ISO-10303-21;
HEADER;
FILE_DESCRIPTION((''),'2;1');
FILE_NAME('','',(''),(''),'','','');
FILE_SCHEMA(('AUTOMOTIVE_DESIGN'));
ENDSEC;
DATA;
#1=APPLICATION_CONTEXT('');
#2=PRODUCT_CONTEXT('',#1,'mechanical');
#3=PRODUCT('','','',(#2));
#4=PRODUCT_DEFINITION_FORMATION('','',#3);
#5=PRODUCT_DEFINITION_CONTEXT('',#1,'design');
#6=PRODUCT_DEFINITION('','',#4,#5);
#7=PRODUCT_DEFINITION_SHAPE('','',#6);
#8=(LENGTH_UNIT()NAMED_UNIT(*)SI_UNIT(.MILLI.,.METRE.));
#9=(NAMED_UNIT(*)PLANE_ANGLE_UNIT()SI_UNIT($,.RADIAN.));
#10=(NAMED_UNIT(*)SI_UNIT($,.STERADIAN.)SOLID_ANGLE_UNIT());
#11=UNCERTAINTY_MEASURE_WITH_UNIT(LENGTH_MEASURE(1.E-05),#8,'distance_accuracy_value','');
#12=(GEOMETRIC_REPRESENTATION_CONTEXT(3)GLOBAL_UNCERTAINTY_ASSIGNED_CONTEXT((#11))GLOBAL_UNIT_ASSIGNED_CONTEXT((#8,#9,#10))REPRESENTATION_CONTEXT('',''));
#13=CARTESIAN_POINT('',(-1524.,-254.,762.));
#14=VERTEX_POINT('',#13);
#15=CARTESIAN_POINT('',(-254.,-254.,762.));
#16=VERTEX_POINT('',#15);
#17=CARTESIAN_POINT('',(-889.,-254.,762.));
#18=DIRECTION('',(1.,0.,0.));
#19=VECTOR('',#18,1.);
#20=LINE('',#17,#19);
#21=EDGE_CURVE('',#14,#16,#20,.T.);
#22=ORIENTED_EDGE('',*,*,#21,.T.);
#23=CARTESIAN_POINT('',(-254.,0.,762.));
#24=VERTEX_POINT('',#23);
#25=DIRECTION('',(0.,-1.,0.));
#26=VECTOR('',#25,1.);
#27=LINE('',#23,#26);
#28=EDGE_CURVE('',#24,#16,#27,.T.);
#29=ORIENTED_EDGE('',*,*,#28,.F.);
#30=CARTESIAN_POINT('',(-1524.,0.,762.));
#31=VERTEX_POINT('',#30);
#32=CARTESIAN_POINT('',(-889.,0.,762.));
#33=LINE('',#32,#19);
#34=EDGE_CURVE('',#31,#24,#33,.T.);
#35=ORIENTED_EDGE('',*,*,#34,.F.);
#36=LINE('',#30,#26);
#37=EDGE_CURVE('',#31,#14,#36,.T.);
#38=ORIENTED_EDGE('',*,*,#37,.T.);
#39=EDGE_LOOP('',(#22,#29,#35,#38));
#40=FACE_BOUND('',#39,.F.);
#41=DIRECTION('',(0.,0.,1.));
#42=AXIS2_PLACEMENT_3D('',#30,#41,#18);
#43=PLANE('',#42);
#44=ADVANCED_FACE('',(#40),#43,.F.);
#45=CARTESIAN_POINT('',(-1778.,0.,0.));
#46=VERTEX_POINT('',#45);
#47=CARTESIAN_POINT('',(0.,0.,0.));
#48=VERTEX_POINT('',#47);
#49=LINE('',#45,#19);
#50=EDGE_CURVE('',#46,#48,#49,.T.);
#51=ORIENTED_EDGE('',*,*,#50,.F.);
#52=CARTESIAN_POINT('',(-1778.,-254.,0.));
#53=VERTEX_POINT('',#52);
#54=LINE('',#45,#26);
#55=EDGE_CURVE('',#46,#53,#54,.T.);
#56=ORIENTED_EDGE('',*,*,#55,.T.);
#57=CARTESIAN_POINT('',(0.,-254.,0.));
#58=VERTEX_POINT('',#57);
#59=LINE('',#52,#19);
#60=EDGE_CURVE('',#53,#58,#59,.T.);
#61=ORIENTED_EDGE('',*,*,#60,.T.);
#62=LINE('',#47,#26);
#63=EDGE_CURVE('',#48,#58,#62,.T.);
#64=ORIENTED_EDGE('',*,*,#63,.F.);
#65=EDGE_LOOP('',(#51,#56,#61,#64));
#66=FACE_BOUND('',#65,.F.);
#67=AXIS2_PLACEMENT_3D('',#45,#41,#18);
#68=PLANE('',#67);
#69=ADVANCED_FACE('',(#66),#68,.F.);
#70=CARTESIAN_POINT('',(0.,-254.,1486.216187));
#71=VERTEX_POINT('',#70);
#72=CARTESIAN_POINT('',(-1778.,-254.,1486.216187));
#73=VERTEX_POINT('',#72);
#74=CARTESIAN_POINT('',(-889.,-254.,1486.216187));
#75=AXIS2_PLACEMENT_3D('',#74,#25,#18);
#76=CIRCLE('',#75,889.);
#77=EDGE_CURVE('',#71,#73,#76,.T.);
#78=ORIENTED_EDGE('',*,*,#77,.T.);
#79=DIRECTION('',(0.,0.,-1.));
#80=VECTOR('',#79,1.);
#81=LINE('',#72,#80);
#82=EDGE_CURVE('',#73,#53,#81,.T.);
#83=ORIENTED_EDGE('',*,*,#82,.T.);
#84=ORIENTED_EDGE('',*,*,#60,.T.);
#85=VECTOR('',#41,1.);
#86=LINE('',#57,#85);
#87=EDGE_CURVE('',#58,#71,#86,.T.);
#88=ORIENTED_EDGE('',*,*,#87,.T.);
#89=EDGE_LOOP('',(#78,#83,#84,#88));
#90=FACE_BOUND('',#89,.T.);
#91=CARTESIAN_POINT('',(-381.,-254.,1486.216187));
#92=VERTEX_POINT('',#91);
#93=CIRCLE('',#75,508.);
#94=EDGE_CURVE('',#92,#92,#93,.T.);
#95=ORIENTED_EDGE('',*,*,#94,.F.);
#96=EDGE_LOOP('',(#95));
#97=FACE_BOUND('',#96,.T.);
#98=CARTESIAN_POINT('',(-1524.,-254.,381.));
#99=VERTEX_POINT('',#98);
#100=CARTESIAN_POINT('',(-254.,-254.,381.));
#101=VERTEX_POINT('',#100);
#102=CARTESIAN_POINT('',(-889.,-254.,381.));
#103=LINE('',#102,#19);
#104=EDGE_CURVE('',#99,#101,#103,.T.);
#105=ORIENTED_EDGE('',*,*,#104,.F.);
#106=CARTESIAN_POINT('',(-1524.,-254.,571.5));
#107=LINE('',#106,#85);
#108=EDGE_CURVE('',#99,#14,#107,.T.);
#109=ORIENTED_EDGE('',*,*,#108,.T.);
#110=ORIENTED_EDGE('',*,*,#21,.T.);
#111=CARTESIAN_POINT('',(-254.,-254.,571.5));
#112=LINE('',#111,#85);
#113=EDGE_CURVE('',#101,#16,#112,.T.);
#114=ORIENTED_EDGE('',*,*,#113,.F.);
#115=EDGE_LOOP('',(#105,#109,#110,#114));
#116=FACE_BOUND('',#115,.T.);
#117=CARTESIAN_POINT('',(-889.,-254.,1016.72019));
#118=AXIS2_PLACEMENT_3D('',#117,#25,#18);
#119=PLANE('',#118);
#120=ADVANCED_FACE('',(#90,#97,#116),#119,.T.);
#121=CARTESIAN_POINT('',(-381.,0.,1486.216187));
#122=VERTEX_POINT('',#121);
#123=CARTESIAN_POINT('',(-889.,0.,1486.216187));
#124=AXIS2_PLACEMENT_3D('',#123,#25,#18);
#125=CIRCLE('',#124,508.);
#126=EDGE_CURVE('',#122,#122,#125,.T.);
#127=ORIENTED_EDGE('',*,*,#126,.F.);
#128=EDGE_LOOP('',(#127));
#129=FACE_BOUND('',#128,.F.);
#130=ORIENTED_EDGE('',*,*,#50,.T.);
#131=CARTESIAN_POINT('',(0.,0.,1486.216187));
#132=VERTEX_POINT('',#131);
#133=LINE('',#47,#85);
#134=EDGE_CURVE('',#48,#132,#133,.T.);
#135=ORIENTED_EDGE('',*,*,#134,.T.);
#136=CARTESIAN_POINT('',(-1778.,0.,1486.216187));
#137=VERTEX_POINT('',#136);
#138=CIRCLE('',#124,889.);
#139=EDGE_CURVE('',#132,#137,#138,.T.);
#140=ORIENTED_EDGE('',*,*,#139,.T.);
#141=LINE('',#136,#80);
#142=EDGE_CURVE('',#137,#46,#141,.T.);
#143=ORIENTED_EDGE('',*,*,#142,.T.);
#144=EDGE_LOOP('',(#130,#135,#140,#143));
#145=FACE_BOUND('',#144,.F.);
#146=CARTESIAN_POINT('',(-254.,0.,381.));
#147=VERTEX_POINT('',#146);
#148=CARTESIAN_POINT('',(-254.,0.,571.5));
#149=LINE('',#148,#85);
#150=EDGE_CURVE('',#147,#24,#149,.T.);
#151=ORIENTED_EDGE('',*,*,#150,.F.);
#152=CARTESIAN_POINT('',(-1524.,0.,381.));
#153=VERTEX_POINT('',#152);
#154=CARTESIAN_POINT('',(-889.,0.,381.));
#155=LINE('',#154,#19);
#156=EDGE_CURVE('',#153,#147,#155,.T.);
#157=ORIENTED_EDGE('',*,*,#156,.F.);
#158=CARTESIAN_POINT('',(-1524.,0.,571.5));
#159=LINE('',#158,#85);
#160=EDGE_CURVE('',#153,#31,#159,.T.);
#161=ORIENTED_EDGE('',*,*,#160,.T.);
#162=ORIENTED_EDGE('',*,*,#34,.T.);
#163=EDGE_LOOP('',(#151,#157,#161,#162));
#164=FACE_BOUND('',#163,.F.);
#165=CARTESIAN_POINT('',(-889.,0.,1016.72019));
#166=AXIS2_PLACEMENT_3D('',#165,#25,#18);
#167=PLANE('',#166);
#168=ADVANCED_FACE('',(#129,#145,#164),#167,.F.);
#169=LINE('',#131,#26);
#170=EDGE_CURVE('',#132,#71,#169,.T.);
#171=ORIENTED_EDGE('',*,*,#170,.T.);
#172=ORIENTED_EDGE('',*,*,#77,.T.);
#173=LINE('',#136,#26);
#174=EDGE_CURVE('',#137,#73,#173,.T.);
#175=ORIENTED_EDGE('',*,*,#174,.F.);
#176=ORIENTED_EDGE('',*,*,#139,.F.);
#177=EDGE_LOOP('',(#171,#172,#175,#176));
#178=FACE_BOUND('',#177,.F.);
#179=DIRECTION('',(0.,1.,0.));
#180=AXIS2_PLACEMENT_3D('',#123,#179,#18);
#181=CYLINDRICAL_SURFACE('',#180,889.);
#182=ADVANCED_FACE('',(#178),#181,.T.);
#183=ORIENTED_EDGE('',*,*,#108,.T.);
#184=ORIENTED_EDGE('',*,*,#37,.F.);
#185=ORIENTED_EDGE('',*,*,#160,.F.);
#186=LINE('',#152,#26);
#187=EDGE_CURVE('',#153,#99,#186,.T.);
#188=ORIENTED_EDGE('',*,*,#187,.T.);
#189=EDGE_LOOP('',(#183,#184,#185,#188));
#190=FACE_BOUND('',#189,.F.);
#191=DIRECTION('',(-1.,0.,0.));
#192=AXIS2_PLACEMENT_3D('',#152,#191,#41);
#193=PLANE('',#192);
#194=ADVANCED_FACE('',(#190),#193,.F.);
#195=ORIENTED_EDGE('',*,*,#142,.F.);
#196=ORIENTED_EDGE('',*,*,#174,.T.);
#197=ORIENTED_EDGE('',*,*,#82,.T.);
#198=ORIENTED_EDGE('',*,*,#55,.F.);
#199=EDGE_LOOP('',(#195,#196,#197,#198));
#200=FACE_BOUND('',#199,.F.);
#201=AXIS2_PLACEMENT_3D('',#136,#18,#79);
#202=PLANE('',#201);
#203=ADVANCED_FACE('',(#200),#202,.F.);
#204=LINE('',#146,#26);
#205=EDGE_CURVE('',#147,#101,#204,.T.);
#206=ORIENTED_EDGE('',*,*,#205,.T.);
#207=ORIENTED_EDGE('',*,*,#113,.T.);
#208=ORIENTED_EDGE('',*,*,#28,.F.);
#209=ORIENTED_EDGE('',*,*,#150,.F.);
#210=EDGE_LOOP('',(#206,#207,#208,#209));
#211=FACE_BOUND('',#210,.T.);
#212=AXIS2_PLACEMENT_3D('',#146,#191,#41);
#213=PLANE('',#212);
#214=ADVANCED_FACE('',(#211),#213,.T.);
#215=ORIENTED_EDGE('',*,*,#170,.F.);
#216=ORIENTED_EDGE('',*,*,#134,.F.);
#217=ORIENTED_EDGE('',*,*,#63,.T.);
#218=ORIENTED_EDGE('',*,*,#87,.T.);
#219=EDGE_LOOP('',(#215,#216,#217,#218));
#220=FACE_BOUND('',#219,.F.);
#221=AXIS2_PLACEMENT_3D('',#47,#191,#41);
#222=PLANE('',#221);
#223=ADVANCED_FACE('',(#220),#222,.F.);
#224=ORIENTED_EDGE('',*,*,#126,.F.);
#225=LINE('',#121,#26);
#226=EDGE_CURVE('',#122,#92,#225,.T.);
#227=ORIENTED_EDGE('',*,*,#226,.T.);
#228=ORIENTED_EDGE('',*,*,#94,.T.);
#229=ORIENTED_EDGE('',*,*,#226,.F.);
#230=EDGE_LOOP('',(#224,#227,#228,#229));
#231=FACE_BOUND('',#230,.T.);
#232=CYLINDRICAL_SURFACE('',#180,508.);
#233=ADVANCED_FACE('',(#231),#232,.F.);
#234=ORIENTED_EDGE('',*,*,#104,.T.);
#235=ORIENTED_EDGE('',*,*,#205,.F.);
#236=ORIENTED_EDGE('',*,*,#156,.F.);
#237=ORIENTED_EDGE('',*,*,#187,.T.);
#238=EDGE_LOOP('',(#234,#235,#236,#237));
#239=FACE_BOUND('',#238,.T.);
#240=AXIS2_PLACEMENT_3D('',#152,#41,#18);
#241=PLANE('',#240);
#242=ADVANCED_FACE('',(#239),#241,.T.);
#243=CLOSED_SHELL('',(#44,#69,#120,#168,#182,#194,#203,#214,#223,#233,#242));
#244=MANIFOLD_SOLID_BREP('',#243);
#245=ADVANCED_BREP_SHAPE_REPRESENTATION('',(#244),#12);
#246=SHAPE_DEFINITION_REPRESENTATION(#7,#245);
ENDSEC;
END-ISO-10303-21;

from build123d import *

# Parameters (mm, degrees)
F0_W     = 1270
F0_H     = 381
F0_R     = 508
F1_DEPTH = 254


with BuildPart() as f1:
    # F0 (on Front) → F1 (new body)
    with BuildSketch(Plane.XZ):
        with BuildLine():
            Line((-1778, 0), (0, 0))
            Line((0, 0), (0, 1486.216187))
            ThreePointArc((0, 1486.216187), (-889, 2375.216187), (-1778, 1486.216187))
            Line((-1778, 1486.216187), (-1778, 0))
        make_face()
        with Locations((-889, 571.5)):
            Rectangle(F0_W, F0_H, mode=Mode.SUBTRACT)
        with Locations((-889, 1486.216187)):
            Circle(F0_R, mode=Mode.SUBTRACT)
    extrude(amount=F1_DEPTH)


solid = f1.part
